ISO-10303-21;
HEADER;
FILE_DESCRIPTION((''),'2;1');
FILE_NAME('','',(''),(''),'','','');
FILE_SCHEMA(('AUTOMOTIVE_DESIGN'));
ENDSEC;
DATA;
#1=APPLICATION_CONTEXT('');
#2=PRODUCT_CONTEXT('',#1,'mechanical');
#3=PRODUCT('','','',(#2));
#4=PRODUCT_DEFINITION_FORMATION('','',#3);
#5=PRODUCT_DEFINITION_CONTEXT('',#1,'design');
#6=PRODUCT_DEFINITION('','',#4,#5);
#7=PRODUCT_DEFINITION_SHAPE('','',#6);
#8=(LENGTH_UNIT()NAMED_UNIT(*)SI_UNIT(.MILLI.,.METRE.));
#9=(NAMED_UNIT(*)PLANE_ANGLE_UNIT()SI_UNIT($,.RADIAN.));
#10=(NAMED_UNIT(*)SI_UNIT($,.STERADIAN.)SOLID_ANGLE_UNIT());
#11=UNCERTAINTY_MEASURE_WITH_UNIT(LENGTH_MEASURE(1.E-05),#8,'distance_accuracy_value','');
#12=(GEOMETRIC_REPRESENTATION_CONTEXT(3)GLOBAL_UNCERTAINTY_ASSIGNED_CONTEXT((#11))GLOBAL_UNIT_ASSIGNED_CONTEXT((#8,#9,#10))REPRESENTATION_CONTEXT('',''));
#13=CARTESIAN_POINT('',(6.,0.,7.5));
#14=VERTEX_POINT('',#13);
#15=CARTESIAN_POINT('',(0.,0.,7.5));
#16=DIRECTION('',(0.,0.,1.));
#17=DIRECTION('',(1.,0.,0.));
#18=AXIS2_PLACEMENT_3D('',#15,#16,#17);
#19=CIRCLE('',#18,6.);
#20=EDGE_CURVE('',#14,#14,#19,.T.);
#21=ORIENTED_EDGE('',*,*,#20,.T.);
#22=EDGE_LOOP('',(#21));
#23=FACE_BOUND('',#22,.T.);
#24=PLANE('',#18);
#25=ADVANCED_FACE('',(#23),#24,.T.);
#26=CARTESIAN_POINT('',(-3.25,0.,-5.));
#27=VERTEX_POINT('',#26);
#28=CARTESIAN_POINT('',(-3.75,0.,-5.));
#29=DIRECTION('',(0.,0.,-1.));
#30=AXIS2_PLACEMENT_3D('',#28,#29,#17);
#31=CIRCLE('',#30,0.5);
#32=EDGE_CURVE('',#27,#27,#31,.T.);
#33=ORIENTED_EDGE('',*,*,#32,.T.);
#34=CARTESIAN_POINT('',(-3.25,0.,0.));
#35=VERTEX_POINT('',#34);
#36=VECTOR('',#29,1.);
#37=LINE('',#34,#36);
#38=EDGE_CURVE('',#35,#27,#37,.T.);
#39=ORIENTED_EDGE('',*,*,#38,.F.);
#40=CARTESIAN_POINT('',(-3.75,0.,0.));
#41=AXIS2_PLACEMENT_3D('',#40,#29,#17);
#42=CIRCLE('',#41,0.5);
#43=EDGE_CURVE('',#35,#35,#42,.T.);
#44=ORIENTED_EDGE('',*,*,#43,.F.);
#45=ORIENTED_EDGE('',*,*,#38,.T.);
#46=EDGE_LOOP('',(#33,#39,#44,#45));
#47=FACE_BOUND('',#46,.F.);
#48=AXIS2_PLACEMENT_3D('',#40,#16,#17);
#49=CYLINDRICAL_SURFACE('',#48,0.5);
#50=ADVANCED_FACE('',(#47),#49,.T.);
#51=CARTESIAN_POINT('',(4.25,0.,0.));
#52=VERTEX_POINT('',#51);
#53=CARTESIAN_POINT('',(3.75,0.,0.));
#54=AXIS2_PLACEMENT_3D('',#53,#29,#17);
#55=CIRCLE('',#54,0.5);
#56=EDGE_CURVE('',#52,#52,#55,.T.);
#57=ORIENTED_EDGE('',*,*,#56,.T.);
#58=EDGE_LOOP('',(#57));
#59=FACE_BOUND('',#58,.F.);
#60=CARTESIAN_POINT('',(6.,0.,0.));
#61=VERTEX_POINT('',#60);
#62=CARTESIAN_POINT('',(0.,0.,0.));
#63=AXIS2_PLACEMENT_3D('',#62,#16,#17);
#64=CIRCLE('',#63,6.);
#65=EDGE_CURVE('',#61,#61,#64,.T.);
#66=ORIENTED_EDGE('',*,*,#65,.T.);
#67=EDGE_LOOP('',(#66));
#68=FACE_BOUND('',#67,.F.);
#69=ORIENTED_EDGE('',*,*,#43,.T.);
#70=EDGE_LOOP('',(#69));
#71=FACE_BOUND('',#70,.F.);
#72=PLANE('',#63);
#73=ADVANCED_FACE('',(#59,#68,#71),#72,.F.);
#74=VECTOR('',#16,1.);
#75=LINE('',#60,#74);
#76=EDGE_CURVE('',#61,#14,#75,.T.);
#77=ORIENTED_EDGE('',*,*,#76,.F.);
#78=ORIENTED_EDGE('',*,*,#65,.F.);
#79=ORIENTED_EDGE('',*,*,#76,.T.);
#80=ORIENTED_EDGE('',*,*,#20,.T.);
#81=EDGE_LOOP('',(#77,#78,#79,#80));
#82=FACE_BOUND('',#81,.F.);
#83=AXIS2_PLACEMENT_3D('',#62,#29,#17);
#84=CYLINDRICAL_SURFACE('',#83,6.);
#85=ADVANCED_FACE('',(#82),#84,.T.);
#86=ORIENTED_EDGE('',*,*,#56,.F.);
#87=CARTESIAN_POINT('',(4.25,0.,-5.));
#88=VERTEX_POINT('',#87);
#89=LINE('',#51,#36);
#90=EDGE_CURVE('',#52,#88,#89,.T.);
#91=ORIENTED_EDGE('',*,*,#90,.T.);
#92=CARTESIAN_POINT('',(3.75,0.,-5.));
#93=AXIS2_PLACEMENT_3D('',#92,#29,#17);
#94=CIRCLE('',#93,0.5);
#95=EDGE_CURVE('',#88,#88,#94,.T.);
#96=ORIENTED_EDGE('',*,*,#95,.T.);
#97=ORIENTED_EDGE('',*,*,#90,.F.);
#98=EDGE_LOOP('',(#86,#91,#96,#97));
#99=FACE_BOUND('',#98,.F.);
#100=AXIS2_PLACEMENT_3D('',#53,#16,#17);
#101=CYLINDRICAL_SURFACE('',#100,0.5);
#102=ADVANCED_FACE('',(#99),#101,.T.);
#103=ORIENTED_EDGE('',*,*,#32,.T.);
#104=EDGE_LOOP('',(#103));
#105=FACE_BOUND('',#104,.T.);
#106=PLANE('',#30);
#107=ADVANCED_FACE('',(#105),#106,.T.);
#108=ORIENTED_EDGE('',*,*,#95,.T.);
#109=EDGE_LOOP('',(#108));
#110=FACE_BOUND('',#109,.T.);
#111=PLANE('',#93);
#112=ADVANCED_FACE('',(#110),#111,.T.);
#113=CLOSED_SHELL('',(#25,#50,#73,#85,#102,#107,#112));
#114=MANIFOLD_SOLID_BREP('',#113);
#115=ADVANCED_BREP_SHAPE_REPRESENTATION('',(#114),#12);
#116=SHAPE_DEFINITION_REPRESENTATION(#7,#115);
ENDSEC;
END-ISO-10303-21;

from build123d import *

# Parameters (mm, degrees)
F0_R     = 6
F1_DEPTH = 7.5
F2_R     = 0.5
F3_DEPTH = 5


with BuildPart() as f1:
    # F0 (on Top) → F1 (new body)
    with BuildSketch(Plane.XY):
        Circle(F0_R)
    extrude(amount=F1_DEPTH)

    # F2 (on face) → F3 (join)
    with BuildSketch(Plane(origin=(0, 0, 0), x_dir=(1, 0, 0), z_dir=(0, 0, -1))):
        with Locations((-3.75, 0)):
            Circle(F2_R)
        with Locations((3.75, 0)):
            Circle(F2_R)
    extrude(amount=F3_DEPTH)


solid = f1.part
